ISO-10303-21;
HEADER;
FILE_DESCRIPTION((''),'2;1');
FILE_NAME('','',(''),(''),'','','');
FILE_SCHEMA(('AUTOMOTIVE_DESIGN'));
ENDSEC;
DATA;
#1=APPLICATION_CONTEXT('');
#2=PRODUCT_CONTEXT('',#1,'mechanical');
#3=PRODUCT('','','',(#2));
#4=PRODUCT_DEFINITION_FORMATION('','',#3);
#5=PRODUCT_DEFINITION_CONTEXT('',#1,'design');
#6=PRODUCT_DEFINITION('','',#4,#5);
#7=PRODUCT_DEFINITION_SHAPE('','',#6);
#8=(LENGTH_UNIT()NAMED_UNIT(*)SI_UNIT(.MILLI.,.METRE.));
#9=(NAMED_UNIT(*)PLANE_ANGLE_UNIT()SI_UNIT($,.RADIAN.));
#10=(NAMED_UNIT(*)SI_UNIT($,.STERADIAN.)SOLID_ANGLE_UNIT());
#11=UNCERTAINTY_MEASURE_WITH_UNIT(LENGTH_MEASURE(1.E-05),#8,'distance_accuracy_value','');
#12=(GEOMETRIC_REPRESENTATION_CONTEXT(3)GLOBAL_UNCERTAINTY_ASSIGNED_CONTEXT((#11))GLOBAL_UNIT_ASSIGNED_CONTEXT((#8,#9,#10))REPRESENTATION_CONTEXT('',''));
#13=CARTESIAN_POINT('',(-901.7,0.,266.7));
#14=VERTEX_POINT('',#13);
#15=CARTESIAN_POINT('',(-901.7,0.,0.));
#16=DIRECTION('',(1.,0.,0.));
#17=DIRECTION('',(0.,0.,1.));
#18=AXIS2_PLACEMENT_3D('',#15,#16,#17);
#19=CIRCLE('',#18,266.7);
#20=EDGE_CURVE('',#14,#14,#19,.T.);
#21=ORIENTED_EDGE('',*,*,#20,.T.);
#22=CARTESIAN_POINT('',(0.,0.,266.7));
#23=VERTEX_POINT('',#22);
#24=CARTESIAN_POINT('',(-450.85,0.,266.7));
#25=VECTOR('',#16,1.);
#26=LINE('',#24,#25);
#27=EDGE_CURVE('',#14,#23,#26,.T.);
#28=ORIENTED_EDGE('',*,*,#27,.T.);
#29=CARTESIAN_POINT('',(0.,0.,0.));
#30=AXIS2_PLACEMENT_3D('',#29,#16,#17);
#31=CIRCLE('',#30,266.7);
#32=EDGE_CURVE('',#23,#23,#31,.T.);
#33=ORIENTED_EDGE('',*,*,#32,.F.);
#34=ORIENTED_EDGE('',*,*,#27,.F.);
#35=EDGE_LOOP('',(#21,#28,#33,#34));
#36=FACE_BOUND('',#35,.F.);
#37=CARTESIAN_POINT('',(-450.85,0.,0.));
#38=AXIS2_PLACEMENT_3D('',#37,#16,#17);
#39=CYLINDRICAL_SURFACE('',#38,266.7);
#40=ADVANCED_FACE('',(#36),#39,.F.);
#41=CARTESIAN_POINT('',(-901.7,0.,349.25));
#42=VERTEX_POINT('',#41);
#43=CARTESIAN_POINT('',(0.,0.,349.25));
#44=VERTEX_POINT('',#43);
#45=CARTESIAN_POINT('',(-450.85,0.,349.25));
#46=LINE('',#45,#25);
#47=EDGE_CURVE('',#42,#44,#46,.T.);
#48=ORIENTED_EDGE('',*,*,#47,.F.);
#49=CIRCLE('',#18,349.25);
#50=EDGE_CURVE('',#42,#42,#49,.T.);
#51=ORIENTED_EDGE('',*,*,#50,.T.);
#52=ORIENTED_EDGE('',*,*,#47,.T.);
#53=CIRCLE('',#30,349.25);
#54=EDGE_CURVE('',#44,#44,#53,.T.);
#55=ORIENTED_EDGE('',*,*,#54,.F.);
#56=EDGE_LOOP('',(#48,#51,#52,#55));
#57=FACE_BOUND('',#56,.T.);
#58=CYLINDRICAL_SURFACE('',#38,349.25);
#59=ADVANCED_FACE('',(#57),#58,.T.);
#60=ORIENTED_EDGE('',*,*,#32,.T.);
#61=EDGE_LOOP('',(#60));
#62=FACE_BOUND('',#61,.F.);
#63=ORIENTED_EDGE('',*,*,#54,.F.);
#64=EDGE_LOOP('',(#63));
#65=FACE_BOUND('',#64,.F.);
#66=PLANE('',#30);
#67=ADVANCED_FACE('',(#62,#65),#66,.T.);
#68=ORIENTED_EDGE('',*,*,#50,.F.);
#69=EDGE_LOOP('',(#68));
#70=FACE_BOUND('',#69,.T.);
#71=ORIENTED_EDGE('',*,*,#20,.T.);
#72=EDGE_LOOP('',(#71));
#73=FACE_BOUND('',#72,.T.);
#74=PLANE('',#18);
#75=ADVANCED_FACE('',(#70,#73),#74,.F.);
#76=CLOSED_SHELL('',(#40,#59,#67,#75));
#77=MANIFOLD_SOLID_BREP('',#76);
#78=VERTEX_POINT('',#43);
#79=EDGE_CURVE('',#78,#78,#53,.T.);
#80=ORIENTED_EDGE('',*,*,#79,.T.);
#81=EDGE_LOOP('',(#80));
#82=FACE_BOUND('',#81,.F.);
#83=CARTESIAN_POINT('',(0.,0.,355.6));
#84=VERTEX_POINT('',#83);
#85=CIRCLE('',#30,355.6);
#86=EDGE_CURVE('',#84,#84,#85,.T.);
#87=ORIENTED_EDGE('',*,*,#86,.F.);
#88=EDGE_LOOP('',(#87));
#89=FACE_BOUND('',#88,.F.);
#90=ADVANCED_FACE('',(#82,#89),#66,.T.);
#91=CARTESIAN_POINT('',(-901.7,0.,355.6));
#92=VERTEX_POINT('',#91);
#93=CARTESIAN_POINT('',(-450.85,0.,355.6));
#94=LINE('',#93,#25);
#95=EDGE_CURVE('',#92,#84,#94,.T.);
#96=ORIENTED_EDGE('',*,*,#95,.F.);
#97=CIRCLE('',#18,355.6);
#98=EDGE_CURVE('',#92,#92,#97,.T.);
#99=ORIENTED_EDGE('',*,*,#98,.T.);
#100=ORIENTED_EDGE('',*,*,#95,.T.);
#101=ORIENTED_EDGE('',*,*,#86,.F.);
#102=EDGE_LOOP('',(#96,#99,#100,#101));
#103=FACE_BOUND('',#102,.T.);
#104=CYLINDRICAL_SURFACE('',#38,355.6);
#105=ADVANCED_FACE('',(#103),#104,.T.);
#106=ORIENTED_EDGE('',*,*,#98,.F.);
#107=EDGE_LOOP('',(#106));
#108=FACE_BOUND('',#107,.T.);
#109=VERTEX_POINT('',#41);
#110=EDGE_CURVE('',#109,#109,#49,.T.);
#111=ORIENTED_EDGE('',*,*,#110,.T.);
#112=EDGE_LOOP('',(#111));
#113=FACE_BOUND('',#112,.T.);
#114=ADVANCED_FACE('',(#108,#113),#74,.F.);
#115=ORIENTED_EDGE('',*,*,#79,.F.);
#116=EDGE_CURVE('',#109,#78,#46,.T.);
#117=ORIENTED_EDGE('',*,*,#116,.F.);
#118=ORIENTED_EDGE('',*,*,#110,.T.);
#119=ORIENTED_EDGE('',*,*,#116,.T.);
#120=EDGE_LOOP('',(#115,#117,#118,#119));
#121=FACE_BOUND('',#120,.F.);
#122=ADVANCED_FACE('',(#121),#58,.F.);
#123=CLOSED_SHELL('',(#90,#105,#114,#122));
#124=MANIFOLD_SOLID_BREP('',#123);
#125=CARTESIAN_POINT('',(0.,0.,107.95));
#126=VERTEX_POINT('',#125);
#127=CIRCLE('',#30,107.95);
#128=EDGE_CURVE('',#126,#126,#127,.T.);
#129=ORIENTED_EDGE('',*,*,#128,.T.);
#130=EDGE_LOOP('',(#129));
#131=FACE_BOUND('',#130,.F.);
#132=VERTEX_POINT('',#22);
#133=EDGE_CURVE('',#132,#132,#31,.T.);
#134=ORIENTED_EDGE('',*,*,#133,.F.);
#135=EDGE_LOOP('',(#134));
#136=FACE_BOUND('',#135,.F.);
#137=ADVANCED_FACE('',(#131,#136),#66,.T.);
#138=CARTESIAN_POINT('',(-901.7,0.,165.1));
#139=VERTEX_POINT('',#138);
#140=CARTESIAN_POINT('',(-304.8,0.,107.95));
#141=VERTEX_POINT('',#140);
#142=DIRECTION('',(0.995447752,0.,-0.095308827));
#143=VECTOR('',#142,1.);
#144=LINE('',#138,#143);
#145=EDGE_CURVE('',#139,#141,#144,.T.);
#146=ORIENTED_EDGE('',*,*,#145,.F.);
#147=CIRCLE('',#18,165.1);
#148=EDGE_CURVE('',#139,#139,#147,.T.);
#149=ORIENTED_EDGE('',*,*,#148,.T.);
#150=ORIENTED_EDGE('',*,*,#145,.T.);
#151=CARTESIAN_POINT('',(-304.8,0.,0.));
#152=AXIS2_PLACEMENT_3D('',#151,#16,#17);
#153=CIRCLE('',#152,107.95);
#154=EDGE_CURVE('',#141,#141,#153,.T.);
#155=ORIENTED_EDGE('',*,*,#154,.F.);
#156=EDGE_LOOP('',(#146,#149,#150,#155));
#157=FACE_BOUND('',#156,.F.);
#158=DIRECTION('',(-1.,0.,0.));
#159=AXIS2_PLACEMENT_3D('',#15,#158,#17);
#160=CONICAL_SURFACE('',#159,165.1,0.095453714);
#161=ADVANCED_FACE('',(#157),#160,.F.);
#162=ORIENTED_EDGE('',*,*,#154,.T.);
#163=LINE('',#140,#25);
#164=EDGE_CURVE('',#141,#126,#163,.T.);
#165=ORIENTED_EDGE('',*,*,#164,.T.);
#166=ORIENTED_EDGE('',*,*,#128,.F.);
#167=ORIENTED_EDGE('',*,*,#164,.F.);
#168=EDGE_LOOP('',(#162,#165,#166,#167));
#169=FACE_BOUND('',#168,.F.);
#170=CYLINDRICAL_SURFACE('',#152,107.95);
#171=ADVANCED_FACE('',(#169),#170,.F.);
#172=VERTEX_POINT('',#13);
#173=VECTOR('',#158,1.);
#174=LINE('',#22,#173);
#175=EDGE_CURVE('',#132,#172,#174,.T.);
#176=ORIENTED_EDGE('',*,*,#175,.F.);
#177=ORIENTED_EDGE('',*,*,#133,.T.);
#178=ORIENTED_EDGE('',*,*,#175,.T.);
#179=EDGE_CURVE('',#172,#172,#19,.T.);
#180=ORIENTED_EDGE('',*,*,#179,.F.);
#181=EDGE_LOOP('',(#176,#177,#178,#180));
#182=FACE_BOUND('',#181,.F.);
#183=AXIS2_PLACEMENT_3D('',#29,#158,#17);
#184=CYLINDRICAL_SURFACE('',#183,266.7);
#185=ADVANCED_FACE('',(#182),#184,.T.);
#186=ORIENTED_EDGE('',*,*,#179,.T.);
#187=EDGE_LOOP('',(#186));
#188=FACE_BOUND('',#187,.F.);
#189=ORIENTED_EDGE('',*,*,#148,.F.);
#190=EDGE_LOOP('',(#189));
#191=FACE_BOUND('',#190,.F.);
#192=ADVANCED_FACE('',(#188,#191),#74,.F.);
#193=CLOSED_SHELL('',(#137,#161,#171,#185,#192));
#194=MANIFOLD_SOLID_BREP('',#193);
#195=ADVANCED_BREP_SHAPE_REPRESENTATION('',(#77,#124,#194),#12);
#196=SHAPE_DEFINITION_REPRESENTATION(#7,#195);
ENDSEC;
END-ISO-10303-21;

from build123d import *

# Parameters (mm, degrees)
F0_W   = 901.7
F0_H   = 6.35
F0_H_2 = 82.55


with BuildPart() as f1:
    # F0 (on Front) → F1 (revolve)
    with BuildSketch(Plane.XZ):
        with Locations((-450.85, 352.425)):
            Rectangle(F0_W, F0_H)
    revolve(axis=Axis((-0.751264, 0, 0), (1, 0, 0)))


with BuildPart() as f2:
    # F0 (on Front) → F2 (revolve)
    with BuildSketch(Plane.XZ):
        with Locations((-450.85, 307.975)):
            Rectangle(F0_W, F0_H_2)
    revolve(axis=Axis((-0.751264, 0, 0), (1, 0, 0)))


with BuildPart() as f3:
    # F0 (on Front) → F3 (revolve)
    with BuildSketch(Plane.XZ):
        Polygon((-304.8, 107.95), (0, 107.95), (0, 266.7), (-901.7, 266.7), (-901.7, 165.1), align=None)
    revolve(axis=Axis((-0.751264, 0, 0), (1, 0, 0)))


solid = Compound([f1.part, f2.part, f3.part])
